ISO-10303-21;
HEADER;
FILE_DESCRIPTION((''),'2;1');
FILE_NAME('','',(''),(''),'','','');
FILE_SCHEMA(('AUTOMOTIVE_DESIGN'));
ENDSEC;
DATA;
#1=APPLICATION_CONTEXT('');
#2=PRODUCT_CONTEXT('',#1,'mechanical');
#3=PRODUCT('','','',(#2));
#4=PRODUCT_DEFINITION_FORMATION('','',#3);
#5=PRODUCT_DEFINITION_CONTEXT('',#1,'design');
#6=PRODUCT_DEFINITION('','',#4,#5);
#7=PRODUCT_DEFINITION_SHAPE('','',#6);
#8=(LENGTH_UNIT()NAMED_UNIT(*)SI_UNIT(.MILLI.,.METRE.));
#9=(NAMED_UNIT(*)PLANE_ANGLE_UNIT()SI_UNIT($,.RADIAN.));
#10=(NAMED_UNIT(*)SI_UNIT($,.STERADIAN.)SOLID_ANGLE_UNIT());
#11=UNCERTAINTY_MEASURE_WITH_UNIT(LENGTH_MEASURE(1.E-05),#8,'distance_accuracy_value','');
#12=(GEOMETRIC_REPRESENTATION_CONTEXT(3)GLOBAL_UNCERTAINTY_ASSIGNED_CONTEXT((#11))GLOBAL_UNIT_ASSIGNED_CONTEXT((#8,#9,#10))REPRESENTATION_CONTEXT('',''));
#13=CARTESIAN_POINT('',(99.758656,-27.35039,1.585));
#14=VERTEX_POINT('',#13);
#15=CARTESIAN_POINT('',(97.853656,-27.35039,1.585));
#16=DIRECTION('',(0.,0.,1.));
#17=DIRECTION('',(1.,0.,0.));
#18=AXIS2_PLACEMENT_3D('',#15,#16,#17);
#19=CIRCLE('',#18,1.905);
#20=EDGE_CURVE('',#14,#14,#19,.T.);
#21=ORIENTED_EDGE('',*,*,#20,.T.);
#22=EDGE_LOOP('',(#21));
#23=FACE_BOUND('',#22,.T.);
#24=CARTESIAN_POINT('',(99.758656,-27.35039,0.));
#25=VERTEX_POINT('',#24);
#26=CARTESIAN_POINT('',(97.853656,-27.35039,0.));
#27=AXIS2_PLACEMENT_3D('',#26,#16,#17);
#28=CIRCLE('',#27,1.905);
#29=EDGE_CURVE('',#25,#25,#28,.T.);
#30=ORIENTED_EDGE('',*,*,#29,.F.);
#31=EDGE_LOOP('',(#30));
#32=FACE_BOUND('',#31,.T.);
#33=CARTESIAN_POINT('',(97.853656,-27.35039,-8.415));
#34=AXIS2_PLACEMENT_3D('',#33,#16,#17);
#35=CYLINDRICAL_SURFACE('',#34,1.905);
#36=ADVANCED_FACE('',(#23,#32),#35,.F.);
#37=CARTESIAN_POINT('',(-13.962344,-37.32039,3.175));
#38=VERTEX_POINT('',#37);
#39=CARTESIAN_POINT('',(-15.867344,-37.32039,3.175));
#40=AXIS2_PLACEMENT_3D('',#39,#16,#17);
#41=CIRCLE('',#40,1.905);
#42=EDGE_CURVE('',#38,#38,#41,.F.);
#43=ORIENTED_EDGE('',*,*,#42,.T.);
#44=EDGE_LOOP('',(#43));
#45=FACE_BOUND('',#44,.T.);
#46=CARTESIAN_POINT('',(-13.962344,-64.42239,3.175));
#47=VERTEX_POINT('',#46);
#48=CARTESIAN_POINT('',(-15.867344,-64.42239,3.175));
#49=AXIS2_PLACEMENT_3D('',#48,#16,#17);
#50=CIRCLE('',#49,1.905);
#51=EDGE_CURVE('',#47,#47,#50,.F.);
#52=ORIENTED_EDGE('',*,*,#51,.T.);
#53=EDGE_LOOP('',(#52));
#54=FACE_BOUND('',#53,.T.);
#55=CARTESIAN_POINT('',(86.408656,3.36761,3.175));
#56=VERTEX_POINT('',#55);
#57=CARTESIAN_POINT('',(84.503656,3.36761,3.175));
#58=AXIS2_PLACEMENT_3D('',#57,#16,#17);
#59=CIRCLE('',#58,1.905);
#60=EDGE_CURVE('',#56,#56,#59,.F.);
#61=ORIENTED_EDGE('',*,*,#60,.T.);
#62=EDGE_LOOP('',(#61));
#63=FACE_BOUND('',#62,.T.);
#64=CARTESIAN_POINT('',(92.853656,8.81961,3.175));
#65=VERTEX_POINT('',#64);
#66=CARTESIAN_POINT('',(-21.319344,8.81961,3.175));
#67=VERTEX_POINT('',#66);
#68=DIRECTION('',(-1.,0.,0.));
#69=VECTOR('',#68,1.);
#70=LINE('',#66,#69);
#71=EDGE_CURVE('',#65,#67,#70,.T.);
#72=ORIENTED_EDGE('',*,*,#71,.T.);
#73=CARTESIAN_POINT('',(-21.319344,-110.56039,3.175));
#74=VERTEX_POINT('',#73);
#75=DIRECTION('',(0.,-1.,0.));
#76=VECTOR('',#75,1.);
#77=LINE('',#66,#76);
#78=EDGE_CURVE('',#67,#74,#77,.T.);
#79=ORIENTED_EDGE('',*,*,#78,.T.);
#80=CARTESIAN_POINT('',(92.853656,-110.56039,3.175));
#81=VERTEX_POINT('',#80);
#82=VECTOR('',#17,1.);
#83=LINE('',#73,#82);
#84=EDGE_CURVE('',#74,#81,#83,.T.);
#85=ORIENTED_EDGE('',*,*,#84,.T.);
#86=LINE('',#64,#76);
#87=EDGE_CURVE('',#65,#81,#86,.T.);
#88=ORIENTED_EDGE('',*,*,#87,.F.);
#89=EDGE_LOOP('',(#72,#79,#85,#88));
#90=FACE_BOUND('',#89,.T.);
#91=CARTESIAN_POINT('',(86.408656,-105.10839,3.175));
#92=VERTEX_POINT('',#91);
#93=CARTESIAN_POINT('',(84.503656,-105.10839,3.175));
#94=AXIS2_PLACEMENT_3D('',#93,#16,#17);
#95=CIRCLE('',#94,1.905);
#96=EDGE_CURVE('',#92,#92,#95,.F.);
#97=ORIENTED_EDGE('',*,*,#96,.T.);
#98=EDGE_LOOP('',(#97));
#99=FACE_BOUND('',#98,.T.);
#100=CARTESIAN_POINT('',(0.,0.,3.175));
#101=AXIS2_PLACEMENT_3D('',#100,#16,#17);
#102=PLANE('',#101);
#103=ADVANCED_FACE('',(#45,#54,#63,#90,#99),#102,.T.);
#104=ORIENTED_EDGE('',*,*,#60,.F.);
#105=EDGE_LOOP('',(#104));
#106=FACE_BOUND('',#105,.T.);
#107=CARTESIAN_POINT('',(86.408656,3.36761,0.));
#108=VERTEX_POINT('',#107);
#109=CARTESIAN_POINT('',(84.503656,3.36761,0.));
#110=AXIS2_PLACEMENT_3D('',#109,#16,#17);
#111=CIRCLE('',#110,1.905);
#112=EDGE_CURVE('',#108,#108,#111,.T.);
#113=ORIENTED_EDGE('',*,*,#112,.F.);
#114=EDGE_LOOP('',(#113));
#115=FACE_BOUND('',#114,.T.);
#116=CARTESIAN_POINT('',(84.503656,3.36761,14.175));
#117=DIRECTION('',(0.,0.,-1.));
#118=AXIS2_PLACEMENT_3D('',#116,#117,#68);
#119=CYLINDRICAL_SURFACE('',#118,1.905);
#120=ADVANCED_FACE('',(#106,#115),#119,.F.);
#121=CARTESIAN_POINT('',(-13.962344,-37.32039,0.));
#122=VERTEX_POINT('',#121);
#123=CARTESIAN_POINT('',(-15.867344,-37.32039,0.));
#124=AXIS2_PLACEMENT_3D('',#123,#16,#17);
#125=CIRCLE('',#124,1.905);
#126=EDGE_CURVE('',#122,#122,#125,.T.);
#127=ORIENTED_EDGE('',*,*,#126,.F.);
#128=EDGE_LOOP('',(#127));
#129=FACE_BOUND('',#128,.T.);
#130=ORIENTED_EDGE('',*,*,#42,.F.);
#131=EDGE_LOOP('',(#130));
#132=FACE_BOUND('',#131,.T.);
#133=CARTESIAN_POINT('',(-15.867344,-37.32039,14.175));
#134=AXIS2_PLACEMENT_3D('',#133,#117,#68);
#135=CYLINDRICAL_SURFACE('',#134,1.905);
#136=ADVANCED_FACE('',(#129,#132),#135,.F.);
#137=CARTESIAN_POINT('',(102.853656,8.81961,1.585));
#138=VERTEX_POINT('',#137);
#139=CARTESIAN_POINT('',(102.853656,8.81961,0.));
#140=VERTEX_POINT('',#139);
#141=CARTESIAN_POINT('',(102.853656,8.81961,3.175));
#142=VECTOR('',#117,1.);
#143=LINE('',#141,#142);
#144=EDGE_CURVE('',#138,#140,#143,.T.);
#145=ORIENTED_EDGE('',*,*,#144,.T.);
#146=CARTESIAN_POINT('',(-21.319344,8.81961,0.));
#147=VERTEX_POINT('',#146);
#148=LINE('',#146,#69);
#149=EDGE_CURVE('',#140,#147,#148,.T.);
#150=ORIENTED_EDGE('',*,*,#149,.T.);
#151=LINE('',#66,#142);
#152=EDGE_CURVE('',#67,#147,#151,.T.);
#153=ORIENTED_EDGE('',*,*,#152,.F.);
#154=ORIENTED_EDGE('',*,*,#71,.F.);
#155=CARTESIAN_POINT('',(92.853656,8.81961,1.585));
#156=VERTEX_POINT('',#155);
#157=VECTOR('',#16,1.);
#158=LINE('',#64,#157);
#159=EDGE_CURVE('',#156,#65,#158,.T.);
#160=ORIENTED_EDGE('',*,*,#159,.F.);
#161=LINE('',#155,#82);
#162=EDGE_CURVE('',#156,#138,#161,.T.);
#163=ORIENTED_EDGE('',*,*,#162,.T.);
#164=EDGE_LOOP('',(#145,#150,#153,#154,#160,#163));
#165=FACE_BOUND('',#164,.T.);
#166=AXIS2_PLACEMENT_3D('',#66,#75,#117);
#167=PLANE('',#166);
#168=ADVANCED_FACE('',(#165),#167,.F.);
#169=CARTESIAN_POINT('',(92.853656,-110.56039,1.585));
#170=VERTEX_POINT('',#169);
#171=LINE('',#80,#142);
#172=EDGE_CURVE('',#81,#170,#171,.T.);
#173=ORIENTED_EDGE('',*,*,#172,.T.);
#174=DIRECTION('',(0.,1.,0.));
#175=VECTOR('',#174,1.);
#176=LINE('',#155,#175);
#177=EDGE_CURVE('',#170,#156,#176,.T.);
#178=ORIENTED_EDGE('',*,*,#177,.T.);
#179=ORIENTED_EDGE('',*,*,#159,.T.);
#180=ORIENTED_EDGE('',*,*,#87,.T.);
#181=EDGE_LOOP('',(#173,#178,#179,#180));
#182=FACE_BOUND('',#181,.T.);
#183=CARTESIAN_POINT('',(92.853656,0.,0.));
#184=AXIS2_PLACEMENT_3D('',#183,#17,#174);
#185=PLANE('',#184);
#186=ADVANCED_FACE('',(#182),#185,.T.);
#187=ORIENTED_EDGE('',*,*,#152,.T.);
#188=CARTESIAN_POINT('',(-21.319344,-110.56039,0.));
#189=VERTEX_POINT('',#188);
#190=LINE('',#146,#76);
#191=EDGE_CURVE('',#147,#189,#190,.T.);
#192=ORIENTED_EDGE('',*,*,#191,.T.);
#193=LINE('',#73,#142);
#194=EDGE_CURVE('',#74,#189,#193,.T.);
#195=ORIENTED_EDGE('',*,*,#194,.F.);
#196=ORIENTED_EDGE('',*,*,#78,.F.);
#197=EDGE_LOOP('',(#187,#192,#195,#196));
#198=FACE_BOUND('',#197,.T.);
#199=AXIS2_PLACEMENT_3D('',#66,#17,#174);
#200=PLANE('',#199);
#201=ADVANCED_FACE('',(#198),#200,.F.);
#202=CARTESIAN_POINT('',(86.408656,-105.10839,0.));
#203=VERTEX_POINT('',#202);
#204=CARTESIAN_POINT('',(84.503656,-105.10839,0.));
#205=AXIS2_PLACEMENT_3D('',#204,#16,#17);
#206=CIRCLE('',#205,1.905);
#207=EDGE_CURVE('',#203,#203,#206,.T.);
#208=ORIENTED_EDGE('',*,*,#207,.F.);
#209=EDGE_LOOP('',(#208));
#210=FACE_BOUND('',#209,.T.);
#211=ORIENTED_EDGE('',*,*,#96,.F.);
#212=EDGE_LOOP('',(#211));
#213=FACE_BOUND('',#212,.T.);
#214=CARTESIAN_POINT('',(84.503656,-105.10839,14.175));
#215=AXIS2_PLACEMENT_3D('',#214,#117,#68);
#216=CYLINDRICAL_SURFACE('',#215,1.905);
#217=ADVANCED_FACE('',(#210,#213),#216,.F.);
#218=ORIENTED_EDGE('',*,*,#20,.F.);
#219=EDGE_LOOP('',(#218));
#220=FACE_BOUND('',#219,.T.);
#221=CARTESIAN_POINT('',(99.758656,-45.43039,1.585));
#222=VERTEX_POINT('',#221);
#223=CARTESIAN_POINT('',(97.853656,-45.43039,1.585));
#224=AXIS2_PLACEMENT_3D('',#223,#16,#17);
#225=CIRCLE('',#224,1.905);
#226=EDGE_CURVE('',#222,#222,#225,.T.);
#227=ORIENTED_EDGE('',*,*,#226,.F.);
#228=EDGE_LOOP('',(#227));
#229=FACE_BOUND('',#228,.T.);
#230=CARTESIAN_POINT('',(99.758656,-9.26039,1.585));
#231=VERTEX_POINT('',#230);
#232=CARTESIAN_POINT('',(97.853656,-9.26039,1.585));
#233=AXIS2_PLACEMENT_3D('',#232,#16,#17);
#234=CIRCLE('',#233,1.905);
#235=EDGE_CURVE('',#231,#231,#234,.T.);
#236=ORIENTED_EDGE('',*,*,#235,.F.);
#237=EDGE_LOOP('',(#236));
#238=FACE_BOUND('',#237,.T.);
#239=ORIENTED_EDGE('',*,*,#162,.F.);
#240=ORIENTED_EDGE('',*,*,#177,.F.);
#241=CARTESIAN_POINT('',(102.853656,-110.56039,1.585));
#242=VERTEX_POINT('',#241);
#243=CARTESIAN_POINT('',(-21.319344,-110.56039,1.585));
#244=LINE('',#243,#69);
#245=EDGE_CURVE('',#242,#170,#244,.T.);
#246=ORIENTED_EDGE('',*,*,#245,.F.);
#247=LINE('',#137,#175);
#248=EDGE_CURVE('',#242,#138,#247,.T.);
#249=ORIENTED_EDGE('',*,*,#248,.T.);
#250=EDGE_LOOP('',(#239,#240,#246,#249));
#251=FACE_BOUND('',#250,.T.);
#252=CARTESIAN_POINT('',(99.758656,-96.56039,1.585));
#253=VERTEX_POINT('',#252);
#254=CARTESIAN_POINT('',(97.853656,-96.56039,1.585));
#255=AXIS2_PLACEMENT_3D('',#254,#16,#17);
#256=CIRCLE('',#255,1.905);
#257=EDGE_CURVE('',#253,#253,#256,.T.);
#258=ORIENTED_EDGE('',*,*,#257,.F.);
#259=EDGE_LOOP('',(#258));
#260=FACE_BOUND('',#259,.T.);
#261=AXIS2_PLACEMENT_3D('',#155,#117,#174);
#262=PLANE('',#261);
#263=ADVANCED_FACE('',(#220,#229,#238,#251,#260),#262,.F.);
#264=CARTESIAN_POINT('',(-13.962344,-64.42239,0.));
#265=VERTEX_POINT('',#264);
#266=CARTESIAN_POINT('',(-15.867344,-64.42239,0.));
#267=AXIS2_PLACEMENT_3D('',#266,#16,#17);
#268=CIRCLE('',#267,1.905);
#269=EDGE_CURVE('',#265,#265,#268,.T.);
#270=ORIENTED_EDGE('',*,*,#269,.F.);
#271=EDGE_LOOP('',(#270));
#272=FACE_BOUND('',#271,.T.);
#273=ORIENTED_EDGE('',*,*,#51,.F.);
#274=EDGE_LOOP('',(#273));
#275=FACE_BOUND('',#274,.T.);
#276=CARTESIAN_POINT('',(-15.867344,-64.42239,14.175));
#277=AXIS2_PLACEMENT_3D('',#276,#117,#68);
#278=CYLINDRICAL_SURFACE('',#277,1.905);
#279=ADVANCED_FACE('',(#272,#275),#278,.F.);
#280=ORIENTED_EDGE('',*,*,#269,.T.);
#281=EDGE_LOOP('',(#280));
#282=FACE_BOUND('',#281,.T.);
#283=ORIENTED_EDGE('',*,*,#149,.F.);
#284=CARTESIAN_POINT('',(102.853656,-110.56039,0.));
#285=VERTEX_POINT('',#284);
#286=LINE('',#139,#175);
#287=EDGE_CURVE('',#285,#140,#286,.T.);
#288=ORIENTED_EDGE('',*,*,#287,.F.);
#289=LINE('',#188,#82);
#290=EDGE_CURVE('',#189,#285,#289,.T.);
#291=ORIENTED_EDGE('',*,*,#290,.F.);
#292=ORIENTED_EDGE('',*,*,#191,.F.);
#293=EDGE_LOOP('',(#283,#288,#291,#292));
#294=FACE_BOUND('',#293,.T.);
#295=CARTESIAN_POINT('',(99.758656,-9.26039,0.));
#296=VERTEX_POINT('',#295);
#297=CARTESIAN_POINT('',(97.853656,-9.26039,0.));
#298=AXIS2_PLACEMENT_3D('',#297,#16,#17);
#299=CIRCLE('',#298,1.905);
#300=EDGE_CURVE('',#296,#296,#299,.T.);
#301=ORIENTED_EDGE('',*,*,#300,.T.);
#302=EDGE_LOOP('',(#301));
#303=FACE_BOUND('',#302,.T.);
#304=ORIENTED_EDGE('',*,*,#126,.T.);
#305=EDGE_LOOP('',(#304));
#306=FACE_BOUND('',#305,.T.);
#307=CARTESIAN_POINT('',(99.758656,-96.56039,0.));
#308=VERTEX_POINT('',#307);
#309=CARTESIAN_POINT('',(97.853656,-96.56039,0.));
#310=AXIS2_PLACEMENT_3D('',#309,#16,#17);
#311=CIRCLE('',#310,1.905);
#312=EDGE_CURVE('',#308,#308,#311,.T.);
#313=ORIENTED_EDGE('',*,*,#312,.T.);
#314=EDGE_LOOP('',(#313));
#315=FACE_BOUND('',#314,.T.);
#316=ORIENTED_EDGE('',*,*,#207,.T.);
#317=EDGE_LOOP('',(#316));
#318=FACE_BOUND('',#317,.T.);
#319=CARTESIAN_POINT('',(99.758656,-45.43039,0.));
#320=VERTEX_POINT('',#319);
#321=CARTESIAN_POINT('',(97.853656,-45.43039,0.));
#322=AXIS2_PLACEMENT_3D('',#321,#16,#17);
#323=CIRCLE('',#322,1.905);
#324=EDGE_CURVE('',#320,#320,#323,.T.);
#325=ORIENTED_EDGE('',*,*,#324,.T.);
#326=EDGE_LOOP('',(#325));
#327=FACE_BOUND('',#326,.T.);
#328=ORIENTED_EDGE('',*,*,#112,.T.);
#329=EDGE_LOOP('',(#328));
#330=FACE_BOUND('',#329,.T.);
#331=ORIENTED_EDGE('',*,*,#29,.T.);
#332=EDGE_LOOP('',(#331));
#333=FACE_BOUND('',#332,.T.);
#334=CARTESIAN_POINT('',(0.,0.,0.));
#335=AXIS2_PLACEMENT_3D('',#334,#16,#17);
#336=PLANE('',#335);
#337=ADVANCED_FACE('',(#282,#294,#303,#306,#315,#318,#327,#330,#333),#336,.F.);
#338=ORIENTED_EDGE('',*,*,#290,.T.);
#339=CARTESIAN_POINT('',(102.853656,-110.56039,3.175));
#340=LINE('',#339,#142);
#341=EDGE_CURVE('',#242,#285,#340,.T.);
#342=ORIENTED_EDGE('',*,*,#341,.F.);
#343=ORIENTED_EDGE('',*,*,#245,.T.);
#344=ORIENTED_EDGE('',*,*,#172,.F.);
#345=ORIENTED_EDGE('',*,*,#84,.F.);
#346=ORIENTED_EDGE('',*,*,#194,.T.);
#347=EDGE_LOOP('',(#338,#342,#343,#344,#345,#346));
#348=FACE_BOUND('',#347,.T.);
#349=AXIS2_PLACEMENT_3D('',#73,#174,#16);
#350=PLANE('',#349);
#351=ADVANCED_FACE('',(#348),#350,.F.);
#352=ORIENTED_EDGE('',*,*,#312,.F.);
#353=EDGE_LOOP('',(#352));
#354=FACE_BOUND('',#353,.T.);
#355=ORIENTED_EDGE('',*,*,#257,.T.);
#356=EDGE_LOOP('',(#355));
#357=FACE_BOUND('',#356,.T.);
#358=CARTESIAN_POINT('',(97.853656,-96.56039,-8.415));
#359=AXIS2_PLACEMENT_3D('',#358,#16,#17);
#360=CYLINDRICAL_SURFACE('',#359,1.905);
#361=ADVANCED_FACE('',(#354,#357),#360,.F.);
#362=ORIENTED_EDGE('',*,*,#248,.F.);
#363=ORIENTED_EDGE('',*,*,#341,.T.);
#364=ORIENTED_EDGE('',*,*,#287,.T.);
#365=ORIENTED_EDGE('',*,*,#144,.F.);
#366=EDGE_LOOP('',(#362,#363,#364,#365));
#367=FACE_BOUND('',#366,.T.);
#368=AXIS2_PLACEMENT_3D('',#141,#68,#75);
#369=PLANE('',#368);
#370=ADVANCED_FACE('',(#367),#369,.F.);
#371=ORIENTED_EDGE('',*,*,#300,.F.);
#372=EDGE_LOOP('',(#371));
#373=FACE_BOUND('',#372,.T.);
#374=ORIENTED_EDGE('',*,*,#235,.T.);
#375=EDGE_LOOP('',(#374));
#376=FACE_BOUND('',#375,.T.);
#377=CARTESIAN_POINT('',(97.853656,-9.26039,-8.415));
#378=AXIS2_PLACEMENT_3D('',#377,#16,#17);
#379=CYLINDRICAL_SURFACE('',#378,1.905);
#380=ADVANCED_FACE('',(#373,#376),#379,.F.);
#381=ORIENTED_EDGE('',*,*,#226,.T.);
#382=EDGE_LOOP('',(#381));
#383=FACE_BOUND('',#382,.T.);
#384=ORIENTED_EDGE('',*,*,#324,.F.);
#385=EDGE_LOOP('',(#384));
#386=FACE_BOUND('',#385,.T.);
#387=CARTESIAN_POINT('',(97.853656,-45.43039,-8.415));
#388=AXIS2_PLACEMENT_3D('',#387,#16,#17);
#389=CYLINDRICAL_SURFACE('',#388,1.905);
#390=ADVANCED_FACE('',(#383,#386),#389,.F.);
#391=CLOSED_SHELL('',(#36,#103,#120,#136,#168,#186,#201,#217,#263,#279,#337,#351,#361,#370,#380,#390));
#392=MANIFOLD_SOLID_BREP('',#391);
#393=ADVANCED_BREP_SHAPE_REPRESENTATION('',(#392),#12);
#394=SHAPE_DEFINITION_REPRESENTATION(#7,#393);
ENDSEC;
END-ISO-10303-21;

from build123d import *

# Parameters (mm, degrees)
SKETCH2_W           = 124.173
SKETCH2_H           = 119.38
BOSS_EXTRUDE1_DEPTH = 3.175
SKETCH4_R           = 1.905
CUT_EXTRUDE1_DEPTH  = 14.175
SKETCH10_W          = 1.59
SKETCH10_H          = 120
CUT_EXTRUDE3_DEPTH  = 10
SKETCH11_R          = 1.905
CUT_EXTRUDE4_DEPTH  = 10


with BuildPart() as part:
    # Sketch2 → Boss-Extrude1 (new body)
    with BuildSketch(Plane.XY):
        with Locations((40.767155738, -50.87039032)):
            Rectangle(SKETCH2_W, SKETCH2_H)
    extrude(amount=BOSS_EXTRUDE1_DEPTH)

    # Sketch4 → Cut-Extrude1 (cut)
    with BuildSketch(Plane.XY):
        with Locations((-15.867344262, -37.32039032)):
            Circle(SKETCH4_R)
        with Locations((-15.867344262, -64.42239032)):
            Circle(SKETCH4_R)
        with Locations((84.503655738, 3.36760968)):
            Circle(SKETCH4_R)
        with Locations((84.503655738, -105.10839032)):
            Circle(SKETCH4_R)
    extrude(amount=CUT_EXTRUDE1_DEPTH, mode=Mode.SUBTRACT)

    # Sketch10 → Cut-Extrude3 (cut)
    with BuildSketch(Plane(origin=(102.853655738, 0, 0), x_dir=(0, 0, -1), z_dir=(1, 0, 0))):
        with Locations((-2.380000064, -51.180389625)):
            Rectangle(SKETCH10_W, SKETCH10_H)
    extrude(amount=-CUT_EXTRUDE3_DEPTH, mode=Mode.SUBTRACT)

    # Sketch11 → Cut-Extrude4 (cut)
    with BuildSketch(Plane.XY.offset(1.585000064)):
        with Locations((97.853655738, -9.260389625)):
            Circle(SKETCH11_R)
        with Locations((97.853655738, -27.350389625)):
            Circle(SKETCH11_R)
        with Locations((97.853655738, -45.430389625)):
            Circle(SKETCH11_R)
        with Locations((97.853655738, -96.56039032)):
            Circle(SKETCH11_R)
    extrude(amount=-CUT_EXTRUDE4_DEPTH, mode=Mode.SUBTRACT)


solid = part.part
